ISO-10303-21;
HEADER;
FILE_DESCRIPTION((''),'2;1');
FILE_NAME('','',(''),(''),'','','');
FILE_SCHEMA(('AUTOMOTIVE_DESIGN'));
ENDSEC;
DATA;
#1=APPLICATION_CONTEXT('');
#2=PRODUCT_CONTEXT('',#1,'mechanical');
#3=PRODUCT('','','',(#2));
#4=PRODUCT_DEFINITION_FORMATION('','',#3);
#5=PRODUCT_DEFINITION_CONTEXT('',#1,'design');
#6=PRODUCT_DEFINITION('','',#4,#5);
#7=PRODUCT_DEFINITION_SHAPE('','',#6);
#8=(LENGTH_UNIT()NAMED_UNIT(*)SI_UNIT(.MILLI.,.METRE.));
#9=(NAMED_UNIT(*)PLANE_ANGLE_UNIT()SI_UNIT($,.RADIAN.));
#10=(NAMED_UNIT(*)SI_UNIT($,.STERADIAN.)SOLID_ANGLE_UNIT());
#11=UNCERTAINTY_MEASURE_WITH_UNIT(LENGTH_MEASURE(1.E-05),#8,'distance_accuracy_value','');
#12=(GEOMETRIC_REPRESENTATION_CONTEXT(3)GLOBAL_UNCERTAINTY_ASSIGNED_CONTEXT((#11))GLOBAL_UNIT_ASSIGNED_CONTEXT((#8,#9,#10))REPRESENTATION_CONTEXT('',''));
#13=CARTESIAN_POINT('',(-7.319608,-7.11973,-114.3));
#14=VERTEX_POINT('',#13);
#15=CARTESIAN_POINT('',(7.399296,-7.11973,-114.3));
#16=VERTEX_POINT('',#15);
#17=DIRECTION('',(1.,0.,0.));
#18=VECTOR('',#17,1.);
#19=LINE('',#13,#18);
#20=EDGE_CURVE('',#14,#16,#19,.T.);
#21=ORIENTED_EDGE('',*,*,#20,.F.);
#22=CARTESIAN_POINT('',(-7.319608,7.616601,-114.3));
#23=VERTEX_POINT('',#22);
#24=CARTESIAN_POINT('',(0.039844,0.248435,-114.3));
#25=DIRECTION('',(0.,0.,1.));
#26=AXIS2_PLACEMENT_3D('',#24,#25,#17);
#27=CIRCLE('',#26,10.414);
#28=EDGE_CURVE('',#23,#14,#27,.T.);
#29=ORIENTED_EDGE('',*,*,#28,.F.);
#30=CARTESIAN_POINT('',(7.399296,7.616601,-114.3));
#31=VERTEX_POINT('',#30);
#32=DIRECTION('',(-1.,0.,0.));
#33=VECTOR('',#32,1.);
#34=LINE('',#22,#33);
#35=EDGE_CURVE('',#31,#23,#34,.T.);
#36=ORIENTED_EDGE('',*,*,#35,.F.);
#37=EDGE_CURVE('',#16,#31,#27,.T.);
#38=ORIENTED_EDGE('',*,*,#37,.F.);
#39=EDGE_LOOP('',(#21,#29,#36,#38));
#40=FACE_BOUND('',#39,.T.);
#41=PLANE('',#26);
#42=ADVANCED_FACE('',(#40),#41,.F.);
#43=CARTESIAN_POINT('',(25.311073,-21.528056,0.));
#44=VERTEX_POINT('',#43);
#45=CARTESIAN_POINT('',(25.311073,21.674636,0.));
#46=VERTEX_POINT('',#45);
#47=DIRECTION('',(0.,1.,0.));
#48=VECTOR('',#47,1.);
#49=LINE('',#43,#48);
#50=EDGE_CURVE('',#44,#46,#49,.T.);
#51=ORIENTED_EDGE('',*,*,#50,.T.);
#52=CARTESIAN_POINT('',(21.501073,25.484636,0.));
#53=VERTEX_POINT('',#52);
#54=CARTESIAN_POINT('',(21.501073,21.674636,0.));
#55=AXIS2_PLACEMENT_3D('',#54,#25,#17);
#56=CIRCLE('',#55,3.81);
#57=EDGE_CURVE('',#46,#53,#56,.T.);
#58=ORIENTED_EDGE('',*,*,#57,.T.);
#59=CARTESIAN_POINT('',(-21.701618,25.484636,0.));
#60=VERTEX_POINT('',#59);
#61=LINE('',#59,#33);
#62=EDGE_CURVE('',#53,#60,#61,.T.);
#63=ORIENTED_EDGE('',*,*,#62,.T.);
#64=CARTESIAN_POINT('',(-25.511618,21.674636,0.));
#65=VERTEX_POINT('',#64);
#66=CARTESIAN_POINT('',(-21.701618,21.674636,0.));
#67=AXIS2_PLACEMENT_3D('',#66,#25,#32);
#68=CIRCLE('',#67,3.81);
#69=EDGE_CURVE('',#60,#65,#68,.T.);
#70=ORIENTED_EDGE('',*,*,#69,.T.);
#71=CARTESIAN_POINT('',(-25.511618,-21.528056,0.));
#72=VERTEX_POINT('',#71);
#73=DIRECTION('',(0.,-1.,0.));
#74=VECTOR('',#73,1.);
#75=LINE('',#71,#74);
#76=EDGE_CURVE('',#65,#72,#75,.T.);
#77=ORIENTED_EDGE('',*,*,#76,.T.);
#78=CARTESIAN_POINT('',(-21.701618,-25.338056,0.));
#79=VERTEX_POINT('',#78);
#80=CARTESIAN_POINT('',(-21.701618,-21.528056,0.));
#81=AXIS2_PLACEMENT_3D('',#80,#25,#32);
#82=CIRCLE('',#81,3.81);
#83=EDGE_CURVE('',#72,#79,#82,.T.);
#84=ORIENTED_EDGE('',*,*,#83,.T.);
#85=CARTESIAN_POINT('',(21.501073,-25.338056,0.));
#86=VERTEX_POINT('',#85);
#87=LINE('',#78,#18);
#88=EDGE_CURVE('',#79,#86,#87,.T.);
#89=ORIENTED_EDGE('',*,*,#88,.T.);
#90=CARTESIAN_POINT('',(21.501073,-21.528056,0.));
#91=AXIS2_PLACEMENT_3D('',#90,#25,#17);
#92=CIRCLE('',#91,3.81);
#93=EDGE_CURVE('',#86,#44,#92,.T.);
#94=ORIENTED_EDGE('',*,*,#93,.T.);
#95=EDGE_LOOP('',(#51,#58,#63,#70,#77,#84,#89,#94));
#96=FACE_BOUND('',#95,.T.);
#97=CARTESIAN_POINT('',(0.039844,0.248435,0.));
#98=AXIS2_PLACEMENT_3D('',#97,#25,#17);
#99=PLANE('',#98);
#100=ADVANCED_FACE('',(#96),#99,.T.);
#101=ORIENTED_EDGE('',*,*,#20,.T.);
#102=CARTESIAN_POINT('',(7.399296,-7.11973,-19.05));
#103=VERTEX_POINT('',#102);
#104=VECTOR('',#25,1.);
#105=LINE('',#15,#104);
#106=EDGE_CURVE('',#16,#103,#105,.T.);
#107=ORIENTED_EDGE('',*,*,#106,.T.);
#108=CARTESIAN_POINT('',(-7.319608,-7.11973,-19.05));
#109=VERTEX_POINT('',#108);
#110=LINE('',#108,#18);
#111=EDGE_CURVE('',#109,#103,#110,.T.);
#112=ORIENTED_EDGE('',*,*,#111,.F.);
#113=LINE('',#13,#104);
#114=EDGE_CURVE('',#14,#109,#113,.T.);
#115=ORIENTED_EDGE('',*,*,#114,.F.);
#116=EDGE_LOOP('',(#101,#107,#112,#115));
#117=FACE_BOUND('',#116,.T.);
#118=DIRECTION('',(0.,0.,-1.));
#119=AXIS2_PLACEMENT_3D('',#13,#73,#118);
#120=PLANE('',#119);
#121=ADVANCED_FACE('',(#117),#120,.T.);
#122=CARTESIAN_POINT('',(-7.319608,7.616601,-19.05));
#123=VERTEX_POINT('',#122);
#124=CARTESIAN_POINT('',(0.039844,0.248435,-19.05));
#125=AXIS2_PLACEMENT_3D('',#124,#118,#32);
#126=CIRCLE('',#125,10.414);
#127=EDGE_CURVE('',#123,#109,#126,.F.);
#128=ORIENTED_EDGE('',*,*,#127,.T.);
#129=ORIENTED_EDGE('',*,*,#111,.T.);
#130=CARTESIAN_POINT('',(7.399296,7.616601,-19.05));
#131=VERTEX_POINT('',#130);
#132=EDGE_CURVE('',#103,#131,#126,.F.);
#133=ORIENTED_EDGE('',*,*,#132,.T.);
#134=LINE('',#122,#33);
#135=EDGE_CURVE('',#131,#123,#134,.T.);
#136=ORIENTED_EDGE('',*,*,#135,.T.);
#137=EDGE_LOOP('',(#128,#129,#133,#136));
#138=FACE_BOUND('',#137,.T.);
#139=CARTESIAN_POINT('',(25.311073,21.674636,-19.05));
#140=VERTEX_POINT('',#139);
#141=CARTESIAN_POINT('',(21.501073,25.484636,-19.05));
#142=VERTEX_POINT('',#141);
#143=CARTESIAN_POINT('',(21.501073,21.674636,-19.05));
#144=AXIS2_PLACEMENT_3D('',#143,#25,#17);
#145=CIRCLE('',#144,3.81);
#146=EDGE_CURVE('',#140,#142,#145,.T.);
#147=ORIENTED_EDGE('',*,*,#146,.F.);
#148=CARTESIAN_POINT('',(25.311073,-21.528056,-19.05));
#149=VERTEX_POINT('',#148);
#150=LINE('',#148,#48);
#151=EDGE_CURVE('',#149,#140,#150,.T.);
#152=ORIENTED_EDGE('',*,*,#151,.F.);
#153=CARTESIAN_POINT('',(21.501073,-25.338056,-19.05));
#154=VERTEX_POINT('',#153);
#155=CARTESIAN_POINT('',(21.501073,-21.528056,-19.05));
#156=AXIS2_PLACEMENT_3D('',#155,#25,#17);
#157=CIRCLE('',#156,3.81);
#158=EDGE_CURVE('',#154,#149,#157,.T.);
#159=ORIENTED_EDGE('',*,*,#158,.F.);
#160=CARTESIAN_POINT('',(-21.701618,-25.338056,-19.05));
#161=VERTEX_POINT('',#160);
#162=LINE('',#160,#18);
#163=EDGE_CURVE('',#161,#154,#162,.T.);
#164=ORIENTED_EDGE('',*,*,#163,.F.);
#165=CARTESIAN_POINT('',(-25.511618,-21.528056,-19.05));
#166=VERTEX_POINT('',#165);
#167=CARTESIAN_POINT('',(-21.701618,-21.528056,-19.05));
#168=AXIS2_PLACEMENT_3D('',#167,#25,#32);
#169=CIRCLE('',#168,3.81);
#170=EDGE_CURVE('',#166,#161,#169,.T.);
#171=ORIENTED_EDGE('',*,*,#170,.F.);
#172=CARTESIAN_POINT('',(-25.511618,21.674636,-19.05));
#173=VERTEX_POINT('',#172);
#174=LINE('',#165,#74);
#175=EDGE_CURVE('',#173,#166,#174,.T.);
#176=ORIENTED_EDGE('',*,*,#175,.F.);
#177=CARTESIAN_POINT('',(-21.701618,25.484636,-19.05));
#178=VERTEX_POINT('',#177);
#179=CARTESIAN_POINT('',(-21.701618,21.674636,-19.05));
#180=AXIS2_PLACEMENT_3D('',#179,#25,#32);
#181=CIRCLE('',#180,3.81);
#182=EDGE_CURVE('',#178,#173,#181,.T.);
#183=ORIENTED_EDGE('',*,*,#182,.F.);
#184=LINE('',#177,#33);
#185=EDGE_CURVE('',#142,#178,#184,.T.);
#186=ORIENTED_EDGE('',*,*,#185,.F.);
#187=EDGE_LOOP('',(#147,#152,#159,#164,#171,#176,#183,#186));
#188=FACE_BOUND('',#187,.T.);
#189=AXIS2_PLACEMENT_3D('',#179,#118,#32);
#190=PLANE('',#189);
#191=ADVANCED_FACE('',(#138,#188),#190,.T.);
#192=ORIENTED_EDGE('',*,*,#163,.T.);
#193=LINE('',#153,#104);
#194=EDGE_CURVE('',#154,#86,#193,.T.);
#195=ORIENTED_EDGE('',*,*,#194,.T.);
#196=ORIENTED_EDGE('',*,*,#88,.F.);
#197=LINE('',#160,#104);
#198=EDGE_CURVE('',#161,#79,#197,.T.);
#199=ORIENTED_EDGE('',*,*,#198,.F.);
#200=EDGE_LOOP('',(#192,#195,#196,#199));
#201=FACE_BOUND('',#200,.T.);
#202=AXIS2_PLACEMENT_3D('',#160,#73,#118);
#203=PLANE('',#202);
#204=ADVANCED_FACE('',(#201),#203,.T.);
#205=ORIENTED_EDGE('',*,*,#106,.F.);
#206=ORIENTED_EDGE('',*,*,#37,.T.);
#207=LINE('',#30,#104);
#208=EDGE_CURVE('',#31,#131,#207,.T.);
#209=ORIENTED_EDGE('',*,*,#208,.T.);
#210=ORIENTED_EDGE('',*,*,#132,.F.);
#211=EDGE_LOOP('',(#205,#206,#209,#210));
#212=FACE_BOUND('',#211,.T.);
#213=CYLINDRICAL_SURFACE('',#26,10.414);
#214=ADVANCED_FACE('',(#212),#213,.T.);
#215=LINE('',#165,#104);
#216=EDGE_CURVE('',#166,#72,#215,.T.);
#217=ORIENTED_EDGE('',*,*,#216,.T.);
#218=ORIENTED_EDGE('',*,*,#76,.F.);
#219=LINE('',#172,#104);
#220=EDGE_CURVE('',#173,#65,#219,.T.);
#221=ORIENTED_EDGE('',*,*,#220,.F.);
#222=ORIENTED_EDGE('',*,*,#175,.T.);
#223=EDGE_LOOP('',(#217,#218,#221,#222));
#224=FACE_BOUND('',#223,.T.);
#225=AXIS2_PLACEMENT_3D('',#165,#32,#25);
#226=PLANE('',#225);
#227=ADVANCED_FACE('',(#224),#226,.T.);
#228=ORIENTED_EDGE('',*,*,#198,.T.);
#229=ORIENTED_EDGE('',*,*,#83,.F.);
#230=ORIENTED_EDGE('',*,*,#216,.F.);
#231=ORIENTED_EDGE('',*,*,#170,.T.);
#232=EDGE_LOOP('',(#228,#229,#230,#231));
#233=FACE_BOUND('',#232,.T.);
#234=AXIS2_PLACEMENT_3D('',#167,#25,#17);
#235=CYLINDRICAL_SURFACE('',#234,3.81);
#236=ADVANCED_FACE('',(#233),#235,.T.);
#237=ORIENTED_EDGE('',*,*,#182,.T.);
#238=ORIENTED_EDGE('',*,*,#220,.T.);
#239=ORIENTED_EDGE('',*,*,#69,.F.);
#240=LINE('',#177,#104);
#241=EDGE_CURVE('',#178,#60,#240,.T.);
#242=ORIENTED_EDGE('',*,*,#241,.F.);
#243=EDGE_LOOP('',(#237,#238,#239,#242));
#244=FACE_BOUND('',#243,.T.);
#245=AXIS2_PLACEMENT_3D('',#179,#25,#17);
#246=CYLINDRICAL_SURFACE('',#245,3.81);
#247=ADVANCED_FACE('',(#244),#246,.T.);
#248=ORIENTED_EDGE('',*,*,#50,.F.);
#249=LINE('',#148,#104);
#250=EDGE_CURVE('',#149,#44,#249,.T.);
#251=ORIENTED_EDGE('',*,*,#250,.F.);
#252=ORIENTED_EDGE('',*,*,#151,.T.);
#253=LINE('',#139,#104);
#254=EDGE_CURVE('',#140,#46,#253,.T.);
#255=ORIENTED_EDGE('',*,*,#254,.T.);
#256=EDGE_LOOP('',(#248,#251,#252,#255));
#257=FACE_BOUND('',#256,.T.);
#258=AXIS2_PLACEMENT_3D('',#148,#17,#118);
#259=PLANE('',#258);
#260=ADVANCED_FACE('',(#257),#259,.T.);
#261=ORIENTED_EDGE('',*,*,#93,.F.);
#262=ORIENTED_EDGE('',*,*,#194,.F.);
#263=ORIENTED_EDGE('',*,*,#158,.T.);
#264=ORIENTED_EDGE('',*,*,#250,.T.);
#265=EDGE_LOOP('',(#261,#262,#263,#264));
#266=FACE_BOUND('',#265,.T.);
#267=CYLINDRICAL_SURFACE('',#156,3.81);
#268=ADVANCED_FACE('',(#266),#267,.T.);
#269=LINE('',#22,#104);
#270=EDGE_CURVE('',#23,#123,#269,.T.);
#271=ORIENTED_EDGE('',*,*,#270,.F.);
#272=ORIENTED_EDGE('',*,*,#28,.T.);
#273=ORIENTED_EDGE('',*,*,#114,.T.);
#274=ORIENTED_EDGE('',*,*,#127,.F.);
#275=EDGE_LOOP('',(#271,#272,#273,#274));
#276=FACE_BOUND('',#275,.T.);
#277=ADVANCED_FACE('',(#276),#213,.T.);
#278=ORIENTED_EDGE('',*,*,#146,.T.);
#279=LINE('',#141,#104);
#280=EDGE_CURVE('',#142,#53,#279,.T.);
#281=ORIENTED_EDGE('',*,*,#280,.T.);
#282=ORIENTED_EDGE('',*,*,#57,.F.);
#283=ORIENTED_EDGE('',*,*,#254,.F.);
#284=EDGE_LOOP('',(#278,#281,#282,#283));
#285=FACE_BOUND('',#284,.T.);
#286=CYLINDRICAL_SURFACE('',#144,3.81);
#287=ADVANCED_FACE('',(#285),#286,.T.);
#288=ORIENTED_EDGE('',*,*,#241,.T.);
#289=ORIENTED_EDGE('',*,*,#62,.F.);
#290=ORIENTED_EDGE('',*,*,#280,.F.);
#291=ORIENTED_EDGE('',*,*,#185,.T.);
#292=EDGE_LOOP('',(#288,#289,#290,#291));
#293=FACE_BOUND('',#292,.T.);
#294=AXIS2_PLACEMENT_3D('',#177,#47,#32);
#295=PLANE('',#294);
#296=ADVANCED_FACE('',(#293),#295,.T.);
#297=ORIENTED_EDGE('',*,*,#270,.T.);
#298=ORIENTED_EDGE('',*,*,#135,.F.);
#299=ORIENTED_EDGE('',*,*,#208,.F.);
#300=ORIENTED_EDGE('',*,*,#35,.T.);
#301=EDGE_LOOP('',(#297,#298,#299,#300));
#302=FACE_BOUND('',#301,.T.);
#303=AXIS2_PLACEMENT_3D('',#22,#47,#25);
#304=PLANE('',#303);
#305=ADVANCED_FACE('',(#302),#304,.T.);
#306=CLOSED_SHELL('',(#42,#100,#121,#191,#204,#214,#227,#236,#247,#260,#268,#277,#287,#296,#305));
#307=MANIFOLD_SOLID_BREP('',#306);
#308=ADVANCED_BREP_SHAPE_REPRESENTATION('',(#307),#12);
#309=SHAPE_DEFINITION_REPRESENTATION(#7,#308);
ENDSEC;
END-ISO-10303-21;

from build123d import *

# Parameters (mm, degrees)
BOSS_EXTRUDE1_DEPTH = 114.3
BOSS_EXTRUDE2_DEPTH = 19.05


with BuildPart() as part:
    # Sketch2 → Boss-Extrude1 (new body)
    with BuildSketch(Plane.XY):
        with BuildLine():
            Line((-7.31960848, -7.119729616), (7.399296286, -7.119729616))
            ThreePointArc((7.399296286, -7.119729616), (10.453843903, 0.248435463), (7.399296286, 7.616600541))
            Line((7.399296286, 7.616600541), (-7.31960848, 7.616600541))
            ThreePointArc((-7.31960848, 7.616600541), (-10.374156097, 0.248435463), (-7.31960848, -7.119729616))
        make_face()
    extrude(amount=-BOSS_EXTRUDE1_DEPTH)

    # Sketch1 → Boss-Extrude2 (add)
    with BuildSketch(Plane.XY):
        with BuildLine():
            Line((-21.701618149, -25.338055696), (21.501073099, -25.338055696))
            ThreePointArc((21.501073099, -25.338055696), (24.195149936, -24.222132532), (25.311073099, -21.528055696))
            Line((25.311073099, -21.528055696), (25.311073099, 21.674635553))
            ThreePointArc((25.311073099, 21.674635553), (24.195149936, 24.368712389), (21.501073099, 25.484635553))
            Line((21.501073099, 25.484635553), (-21.701618149, 25.484635553))
            ThreePointArc((-21.701618149, 25.484635553), (-24.395694985, 24.368712389), (-25.511618149, 21.674635553))
            Line((-25.511618149, 21.674635553), (-25.511618149, -21.528055696))
            ThreePointArc((-25.511618149, -21.528055696), (-24.395694985, -24.222132532), (-21.701618149, -25.338055696))
        make_face()
    extrude(amount=-BOSS_EXTRUDE2_DEPTH)


solid = part.part
